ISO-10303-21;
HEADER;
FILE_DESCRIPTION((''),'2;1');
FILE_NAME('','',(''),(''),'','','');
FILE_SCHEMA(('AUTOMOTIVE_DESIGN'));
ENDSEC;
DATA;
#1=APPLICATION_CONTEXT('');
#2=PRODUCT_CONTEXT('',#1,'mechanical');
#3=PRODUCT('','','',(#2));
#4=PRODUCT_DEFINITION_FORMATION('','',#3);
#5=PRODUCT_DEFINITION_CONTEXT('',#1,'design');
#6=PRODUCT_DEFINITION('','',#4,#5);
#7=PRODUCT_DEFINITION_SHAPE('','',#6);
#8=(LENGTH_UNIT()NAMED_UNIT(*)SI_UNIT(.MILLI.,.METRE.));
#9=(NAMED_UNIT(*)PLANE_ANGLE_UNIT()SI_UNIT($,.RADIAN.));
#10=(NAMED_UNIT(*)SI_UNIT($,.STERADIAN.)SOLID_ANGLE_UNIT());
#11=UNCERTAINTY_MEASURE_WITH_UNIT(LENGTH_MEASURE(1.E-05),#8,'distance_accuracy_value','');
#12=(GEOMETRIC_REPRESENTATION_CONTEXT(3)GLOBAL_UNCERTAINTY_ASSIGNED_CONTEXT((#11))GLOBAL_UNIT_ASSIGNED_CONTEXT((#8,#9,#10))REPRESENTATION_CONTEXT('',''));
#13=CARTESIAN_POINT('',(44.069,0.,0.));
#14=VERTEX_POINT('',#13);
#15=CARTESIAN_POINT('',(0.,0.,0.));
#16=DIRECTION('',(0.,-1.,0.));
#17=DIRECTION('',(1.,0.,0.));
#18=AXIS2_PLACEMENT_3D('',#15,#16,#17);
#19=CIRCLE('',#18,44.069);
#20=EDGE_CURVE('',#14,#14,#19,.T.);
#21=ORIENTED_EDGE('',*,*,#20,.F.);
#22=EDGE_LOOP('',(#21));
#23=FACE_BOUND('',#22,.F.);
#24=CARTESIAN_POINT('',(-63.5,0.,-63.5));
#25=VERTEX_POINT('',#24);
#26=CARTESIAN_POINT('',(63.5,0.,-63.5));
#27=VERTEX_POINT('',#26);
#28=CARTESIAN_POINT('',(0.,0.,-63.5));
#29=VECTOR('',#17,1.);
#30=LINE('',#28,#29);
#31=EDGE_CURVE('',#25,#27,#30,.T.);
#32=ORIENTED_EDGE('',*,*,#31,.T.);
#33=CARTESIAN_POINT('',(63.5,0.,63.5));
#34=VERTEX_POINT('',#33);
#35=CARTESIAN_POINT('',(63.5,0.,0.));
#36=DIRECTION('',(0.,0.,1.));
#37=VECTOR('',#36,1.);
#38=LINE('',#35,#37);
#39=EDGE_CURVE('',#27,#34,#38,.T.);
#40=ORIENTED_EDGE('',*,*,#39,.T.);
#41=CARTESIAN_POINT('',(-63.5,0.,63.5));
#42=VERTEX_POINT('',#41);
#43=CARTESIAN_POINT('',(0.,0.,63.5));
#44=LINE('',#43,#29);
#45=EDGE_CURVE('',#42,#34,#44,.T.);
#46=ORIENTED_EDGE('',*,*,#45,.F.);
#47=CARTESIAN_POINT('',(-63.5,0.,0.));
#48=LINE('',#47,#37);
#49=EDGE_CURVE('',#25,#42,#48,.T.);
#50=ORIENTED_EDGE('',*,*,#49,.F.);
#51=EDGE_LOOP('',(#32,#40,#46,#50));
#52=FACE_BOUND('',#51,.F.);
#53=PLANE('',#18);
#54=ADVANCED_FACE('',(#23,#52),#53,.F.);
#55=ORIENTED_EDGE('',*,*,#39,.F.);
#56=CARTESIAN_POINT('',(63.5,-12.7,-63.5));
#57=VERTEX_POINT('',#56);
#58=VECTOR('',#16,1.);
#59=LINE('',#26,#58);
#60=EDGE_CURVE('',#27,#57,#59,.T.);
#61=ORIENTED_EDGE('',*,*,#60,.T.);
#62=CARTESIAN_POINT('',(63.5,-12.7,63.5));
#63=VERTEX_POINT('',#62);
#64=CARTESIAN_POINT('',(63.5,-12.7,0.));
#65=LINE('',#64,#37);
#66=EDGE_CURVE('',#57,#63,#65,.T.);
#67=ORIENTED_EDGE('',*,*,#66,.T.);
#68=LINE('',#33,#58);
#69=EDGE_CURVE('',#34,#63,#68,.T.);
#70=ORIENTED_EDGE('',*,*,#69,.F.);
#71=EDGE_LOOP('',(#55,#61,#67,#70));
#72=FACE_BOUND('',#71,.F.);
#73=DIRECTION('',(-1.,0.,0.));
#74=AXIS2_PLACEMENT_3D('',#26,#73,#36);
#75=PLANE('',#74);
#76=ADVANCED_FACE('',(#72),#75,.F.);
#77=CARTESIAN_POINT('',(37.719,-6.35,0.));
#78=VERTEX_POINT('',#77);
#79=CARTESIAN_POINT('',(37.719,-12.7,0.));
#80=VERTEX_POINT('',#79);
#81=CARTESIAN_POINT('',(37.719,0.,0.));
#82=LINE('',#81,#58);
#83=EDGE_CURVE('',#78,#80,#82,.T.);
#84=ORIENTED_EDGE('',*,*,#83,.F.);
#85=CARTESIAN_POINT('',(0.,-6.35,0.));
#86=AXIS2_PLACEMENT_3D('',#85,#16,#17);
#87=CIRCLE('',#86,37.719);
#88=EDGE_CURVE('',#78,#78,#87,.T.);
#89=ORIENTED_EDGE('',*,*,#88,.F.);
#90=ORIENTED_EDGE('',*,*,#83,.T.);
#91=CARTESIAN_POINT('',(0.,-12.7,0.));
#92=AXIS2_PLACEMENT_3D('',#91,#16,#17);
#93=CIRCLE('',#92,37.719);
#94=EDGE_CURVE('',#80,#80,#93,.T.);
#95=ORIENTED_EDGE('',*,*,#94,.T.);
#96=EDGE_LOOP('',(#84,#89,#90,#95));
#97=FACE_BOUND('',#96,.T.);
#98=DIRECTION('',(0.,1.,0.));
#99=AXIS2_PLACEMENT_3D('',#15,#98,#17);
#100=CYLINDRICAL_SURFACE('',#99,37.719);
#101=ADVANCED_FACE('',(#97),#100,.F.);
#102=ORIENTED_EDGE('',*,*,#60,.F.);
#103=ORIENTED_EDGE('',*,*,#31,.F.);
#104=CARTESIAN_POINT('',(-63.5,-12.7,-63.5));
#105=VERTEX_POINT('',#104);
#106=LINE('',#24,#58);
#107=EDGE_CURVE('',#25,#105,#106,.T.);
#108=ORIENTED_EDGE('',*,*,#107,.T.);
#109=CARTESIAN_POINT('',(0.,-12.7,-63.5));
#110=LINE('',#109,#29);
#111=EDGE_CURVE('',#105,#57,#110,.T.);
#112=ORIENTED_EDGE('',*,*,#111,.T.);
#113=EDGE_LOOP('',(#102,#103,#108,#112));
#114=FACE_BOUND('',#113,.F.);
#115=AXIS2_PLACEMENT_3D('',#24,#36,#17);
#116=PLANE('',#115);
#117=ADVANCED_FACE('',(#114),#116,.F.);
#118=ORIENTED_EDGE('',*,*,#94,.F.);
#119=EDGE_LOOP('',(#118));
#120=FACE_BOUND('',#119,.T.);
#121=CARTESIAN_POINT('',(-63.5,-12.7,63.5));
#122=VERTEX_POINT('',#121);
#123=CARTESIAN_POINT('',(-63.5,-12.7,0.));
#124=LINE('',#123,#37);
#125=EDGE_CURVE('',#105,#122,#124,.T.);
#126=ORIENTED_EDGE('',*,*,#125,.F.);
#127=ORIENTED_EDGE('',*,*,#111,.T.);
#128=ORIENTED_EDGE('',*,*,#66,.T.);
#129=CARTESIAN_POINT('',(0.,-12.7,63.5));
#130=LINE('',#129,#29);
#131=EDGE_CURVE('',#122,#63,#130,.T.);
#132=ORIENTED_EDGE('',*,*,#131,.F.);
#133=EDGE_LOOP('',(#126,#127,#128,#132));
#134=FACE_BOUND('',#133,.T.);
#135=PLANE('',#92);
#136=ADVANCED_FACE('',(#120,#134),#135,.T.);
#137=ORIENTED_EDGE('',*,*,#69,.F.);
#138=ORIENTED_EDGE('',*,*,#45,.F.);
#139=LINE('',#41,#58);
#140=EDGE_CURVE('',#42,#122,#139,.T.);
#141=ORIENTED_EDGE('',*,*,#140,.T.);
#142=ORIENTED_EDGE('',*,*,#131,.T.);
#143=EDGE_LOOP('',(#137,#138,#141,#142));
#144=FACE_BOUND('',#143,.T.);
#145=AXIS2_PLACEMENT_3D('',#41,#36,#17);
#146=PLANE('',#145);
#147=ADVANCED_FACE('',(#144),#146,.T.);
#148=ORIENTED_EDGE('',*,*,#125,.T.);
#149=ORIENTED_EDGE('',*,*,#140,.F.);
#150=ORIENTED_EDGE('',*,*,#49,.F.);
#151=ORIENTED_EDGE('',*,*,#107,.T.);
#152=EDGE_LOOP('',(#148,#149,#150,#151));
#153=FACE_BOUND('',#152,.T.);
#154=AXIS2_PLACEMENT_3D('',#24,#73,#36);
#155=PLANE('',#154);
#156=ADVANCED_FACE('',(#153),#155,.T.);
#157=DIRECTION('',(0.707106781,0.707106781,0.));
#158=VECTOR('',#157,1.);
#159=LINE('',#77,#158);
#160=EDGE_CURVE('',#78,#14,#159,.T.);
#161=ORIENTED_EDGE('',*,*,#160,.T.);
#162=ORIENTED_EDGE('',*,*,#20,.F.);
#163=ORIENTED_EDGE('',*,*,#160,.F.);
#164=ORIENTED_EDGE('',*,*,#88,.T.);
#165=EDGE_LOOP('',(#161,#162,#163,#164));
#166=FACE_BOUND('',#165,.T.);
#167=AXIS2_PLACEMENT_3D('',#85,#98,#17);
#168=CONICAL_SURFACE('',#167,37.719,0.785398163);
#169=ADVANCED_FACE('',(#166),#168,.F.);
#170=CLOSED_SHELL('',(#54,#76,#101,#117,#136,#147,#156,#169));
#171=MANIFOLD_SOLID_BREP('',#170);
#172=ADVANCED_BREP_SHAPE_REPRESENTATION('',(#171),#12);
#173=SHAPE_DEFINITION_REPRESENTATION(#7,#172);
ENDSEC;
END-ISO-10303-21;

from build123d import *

# Parameters (mm, degrees)
F0_W     = 127
F0_H     = 127
F0_R     = 37.719
F1_DEPTH = 12.7
F2_SIZE2 = 6.35
F2_SIZE  = 6.35


with BuildPart() as f1:
    # F0 (on Front) → F1 (new body)
    with BuildSketch(Plane.XZ):
        Rectangle(F0_W, F0_H)
        Circle(F0_R, mode=Mode.SUBTRACT)
    extrude(amount=F1_DEPTH)

    # F2
    f2_edges = [f1.edges().sort_by_distance(p)[0] for p in [
        (-37.719, 0, 0),
    ]]
    chamfer(f2_edges, length=F2_SIZE, length2=F2_SIZE2)


solid = f1.part
